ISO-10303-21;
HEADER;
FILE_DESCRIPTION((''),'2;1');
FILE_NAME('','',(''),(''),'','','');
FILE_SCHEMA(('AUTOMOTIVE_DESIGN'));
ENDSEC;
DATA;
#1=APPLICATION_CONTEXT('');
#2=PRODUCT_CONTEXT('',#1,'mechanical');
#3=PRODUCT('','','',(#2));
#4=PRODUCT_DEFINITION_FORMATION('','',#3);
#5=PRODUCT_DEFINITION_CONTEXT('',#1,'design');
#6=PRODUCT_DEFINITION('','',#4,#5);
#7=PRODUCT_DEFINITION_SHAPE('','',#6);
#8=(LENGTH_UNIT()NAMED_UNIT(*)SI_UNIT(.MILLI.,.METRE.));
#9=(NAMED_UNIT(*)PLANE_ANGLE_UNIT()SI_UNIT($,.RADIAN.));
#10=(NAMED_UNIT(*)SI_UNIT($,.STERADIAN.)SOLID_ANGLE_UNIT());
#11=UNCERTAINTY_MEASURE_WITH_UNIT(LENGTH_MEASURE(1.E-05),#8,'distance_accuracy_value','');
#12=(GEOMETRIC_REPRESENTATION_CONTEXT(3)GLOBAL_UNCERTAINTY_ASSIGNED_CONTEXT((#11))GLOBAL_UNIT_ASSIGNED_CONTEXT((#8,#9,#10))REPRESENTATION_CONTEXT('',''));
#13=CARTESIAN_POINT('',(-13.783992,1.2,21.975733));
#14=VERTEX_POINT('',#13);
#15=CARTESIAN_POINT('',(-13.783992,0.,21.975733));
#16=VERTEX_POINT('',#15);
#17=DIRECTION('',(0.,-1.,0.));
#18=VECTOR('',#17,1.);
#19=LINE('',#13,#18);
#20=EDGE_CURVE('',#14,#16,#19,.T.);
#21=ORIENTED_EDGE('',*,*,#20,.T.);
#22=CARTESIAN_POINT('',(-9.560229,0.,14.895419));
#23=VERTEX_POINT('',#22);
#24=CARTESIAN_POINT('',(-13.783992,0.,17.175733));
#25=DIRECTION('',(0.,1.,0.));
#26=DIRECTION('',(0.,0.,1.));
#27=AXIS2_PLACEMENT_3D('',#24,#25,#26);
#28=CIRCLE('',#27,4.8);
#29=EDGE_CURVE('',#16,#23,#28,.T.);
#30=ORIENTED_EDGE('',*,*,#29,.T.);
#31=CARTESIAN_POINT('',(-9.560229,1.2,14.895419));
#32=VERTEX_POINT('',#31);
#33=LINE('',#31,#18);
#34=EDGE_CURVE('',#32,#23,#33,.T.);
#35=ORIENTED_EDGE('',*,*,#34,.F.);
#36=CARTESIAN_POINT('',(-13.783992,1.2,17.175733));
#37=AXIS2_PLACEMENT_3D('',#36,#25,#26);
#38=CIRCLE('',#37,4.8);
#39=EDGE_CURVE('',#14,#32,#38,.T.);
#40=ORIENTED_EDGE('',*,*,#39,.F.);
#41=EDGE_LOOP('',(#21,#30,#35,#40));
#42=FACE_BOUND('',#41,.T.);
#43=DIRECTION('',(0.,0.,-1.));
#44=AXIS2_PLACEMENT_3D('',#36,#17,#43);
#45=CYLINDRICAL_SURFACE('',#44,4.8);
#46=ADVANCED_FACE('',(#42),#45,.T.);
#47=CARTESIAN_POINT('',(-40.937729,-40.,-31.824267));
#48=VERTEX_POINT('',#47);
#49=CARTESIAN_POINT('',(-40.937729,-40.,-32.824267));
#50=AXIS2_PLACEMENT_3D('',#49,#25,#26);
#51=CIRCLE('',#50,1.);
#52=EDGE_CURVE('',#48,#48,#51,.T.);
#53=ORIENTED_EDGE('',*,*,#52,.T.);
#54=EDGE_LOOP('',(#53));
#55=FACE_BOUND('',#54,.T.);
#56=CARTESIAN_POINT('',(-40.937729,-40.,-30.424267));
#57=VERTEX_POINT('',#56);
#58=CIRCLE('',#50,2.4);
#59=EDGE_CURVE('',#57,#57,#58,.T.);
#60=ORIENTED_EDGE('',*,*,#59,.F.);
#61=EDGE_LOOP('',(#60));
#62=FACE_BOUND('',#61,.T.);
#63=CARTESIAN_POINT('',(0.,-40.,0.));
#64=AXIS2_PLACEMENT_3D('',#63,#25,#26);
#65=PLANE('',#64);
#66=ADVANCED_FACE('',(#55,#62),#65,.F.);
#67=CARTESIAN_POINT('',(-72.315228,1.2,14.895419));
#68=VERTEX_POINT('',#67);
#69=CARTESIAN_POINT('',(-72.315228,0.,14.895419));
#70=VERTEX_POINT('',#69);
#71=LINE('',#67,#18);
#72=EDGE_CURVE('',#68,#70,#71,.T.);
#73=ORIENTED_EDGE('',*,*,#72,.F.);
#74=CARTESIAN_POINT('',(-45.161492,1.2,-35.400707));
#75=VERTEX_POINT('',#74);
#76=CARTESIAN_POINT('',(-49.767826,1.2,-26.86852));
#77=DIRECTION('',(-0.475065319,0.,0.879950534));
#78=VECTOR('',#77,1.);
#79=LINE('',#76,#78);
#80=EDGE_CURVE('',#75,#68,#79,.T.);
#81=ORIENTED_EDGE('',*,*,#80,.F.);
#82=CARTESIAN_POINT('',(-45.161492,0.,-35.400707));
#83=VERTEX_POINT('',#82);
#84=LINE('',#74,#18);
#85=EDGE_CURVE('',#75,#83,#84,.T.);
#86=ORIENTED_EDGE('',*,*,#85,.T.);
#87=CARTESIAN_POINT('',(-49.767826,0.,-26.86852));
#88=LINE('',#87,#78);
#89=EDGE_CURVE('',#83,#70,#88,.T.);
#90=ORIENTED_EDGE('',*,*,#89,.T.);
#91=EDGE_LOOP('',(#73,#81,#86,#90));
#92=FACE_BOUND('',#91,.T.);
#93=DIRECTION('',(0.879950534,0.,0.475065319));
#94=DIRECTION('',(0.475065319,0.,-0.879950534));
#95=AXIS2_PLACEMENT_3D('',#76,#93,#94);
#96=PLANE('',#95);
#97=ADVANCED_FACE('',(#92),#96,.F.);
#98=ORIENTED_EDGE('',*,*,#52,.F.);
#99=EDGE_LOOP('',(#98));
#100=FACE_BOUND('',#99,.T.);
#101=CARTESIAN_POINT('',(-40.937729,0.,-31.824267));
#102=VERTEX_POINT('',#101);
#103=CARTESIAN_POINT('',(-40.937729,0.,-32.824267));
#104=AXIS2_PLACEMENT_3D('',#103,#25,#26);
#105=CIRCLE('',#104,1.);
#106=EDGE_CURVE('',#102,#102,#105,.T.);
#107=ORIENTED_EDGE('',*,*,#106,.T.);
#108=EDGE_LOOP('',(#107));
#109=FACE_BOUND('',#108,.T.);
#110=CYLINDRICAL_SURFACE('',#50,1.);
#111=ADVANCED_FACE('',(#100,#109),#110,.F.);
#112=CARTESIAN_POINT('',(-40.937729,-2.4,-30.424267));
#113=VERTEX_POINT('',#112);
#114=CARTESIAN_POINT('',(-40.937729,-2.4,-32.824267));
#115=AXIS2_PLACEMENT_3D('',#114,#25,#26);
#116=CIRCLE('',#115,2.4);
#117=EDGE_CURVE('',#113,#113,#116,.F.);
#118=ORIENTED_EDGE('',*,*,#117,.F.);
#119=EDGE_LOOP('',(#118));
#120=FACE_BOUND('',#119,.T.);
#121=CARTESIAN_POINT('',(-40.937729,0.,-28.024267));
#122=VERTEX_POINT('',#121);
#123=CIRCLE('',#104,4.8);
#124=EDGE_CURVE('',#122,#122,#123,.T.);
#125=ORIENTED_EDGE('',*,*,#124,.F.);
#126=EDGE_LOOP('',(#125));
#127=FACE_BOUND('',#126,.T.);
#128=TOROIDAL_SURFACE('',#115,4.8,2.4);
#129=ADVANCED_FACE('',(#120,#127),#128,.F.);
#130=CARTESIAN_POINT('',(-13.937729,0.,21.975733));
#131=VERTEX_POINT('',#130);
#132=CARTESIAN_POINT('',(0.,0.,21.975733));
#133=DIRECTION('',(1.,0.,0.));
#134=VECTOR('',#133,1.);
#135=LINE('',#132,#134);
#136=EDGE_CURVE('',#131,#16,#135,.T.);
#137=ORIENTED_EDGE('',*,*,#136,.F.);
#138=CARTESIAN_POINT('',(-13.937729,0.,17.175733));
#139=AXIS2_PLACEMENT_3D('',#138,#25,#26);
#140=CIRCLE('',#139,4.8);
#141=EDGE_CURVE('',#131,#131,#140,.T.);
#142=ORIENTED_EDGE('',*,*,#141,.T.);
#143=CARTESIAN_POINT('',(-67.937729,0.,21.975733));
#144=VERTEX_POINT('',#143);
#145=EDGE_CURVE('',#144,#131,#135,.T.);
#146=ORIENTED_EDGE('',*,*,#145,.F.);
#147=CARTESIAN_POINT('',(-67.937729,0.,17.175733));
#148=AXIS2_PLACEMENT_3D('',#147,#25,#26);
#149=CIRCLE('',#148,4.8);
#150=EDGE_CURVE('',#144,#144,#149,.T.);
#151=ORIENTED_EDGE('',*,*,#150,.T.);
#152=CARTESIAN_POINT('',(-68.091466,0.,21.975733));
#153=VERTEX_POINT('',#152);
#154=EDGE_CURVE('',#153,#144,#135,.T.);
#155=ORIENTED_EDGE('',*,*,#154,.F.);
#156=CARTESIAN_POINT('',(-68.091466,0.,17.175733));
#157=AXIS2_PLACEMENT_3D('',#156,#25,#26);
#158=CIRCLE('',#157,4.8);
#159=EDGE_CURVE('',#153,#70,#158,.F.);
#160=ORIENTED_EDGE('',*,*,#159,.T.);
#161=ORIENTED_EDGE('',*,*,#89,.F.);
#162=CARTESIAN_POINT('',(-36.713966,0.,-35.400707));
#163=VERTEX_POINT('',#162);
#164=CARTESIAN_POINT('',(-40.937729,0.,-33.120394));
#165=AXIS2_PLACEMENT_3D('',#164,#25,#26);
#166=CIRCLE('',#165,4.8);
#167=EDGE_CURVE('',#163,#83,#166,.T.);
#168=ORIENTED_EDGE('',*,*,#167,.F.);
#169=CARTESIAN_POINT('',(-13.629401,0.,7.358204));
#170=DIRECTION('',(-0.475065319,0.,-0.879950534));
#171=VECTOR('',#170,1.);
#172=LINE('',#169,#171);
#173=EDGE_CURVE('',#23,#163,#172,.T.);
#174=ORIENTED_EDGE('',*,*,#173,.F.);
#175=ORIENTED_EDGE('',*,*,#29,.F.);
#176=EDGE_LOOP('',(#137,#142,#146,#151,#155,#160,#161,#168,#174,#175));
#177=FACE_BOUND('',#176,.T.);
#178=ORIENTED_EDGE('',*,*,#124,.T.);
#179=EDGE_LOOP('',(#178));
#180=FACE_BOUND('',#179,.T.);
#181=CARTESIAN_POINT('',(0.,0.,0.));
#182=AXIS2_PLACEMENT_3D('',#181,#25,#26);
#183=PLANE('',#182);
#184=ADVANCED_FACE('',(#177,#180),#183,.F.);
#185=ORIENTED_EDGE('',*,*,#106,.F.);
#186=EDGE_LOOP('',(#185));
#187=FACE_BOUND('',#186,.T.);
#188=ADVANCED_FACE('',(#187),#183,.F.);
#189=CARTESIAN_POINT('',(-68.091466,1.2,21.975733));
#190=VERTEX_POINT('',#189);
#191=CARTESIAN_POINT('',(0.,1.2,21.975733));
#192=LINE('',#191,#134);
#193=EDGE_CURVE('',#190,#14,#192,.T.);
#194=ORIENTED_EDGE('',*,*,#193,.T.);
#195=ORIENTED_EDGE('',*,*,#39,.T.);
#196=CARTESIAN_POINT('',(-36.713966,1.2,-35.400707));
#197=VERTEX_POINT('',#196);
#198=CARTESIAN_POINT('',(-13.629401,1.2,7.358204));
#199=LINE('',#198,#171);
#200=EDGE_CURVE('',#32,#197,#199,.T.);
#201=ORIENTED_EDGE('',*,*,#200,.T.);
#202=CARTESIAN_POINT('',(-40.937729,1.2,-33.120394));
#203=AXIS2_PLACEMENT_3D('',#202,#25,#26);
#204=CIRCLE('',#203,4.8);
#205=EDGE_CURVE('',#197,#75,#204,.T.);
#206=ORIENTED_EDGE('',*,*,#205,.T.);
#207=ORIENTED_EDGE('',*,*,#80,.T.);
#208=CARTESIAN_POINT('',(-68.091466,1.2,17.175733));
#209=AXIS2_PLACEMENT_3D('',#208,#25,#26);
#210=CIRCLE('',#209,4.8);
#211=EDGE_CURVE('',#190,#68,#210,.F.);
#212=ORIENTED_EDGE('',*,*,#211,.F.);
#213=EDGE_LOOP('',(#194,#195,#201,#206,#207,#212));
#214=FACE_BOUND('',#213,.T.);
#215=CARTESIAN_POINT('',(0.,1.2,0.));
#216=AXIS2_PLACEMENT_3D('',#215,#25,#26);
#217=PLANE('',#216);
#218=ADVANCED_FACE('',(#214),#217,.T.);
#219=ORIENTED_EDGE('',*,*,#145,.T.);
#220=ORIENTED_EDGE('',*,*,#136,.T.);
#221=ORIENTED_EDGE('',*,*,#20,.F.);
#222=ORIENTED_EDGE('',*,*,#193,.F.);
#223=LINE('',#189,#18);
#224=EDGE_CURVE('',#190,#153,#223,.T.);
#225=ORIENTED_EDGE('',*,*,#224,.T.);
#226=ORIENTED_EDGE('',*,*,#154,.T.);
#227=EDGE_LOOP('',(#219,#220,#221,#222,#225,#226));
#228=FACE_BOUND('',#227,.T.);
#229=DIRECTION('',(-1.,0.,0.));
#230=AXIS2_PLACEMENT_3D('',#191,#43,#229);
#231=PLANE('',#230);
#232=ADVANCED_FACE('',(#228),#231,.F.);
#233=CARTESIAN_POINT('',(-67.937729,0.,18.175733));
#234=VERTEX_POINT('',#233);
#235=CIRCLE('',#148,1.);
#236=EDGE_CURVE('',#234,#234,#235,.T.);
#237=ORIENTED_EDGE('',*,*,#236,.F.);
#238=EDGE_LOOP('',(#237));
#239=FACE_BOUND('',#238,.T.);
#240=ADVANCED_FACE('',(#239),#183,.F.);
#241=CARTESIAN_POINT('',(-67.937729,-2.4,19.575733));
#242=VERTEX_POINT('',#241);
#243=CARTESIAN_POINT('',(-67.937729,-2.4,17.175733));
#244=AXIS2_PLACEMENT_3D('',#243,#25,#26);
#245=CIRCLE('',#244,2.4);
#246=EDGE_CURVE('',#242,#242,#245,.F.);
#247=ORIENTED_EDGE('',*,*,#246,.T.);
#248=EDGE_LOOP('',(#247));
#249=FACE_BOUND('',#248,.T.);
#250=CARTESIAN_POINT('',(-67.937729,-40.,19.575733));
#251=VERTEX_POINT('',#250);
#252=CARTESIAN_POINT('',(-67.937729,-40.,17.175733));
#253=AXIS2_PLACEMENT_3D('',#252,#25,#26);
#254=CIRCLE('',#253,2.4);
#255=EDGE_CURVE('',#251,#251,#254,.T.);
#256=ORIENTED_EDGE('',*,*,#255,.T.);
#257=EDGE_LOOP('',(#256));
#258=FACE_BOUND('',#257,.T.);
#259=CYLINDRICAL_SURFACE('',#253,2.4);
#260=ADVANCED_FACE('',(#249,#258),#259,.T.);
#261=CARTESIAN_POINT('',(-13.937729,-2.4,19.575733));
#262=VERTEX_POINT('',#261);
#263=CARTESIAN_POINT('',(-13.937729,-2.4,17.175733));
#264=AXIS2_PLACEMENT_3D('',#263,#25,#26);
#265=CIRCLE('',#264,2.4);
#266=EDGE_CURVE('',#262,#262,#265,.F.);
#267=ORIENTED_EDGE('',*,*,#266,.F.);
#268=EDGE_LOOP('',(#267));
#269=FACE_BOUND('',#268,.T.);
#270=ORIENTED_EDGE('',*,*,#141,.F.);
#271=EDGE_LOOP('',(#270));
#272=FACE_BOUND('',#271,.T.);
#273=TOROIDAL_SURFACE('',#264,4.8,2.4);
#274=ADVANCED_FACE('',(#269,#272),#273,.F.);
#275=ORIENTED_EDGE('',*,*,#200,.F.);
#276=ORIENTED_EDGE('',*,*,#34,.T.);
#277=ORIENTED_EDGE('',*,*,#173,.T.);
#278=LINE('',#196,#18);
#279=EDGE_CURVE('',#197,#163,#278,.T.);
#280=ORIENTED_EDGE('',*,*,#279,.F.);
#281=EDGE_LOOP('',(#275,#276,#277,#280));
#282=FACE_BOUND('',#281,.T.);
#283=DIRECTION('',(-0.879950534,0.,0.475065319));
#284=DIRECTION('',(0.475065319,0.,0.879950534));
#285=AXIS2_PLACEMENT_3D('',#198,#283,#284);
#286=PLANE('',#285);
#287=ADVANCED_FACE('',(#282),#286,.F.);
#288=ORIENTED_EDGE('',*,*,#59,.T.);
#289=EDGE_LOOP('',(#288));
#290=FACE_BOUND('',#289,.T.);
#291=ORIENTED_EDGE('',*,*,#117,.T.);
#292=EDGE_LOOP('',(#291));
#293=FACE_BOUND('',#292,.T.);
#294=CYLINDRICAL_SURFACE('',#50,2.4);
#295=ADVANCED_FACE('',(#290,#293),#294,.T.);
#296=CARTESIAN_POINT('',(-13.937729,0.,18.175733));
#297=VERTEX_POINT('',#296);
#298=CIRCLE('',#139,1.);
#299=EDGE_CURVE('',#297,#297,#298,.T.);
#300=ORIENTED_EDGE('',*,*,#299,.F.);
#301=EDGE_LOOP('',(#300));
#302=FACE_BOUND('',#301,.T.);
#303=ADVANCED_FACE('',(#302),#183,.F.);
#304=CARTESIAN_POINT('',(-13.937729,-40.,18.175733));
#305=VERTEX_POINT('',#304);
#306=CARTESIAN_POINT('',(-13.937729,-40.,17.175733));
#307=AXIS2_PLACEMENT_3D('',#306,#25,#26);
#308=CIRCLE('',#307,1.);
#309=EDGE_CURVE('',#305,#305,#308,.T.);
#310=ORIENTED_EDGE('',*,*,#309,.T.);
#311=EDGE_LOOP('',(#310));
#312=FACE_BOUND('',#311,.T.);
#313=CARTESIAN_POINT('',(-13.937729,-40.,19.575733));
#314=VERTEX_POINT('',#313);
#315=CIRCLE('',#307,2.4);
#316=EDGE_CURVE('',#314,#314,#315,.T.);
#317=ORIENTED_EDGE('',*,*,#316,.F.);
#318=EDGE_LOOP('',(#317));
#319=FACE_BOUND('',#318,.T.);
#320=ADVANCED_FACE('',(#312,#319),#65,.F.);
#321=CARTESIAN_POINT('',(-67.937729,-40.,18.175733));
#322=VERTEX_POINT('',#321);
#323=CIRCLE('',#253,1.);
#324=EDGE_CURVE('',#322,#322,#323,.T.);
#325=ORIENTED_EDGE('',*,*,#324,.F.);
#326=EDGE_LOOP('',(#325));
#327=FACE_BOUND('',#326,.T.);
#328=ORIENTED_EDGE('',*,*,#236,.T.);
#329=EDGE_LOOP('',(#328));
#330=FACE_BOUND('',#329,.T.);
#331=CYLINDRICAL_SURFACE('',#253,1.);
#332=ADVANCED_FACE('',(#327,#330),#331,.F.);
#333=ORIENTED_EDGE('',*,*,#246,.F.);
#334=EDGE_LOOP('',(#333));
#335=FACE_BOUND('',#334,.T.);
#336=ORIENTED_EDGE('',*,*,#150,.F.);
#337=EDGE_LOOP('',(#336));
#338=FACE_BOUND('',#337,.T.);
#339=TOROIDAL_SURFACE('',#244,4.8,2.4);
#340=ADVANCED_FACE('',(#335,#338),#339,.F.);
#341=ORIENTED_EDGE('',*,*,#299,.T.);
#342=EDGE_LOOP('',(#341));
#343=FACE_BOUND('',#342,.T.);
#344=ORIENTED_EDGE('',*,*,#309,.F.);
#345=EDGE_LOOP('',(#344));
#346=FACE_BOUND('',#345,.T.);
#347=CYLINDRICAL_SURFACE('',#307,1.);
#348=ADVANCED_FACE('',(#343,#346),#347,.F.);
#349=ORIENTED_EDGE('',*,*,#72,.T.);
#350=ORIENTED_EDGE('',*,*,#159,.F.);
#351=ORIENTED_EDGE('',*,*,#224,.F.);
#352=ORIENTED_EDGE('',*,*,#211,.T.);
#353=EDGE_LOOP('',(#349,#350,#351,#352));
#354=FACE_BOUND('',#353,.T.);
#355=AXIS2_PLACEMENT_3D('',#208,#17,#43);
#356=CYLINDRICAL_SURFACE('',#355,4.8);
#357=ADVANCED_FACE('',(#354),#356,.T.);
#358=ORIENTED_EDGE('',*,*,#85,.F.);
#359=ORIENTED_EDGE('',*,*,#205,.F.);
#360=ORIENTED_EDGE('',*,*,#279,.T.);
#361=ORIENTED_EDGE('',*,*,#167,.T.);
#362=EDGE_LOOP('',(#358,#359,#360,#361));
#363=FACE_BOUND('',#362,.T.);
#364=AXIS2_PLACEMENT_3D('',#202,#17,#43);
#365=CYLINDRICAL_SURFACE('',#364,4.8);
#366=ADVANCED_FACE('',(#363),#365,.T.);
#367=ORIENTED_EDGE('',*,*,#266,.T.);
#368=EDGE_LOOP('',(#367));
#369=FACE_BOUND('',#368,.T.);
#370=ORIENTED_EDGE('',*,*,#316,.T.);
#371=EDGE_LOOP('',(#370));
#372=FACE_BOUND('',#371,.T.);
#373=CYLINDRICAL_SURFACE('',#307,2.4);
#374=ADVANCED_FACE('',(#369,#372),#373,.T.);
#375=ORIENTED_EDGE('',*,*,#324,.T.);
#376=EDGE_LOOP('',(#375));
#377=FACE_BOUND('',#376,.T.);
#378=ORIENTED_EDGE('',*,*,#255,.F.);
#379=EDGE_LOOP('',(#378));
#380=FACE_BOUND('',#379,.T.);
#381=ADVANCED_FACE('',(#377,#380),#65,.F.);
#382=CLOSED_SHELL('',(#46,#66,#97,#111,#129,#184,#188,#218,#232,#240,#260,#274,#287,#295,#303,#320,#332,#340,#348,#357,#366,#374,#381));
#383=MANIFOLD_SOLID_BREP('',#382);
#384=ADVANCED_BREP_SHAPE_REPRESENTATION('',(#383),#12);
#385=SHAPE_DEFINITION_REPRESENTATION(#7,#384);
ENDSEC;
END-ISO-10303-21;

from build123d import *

# Parameters (mm, degrees)
BOSS_EXTRUDE1_DEPTH = 1.2000000000000002
SKETCH1_3_R         = 2.399999999999999
SKETCH1_3_R_2       = 1.0000000000000018
SKETCH1_3_R_3       = 2.400000000000001
SKETCH1_3_R_4       = 0.9999999999999983
BOSS_EXTRUDE2_DEPTH = 39.99999999999998
FILLET1_R           = 2.4


with BuildPart() as part:
    # Sketch1 → Boss-Extrude1 (new body)
    with BuildSketch(Plane(origin=(0, 0, 0), x_dir=(1, 0, 0), z_dir=(0, 1, 0))):
        with BuildLine():
            ThreePointArc((-36.71396637362992, 35.40070719531131), (-40.93772893772893, 37.9203936637732), (-45.16149150182793, 35.40070719531131))
            Line((-45.16149150182793, 35.40070719531131), (-72.31522838082492, -14.895419069194496))
            ThreePointArc((-72.31522838082492, -14.895419069194494), (-72.21369245723122, -19.634847792078578), (-68.09146581672593, -21.975732600732602))
            Line((-68.09146581672593, -21.9757326007326), (-13.783992058731933, -21.9757326007326))
            ThreePointArc((-13.783992058731934, -21.975732600732595), (-9.66176541822665, -19.634847792078567), (-9.560229494632928, -14.895419069194485))
            Line((-9.56022949463293, -14.895419069194485), (-36.71396637362993, 35.40070719531131))
        make_face()
    extrude(amount=BOSS_EXTRUDE1_DEPTH)

    # Sketch1<3> → Boss-Extrude2 (add)
    # profile 1 of 3: a face of its own
    with BuildSketch(Plane(origin=(0, 0, 0), x_dir=(1, 0, 0), z_dir=(0, 1, 0))):
        with Locations((-13.937728937728926, -17.175732600732594)):
            Circle(SKETCH1_3_R)
        with Locations((-13.937728937728918, -17.175732600732594)):
            Circle(SKETCH1_3_R_2, mode=Mode.SUBTRACT)
    # profile 2 of 3: a face of its own
    with BuildSketch(Plane(origin=(0, 0, 0), x_dir=(1, 0, 0), z_dir=(0, 1, 0))):
        with Locations((-67.93772893772892, -17.175732600732594)):
            Circle(SKETCH1_3_R_3)
        with Locations((-67.93772893772892, -17.175732600732594)):
            Circle(SKETCH1_3_R_4, mode=Mode.SUBTRACT)
    # profile 3 of 3: a face of its own
    with BuildSketch(Plane(origin=(0, 0, 0), x_dir=(1, 0, 0), z_dir=(0, 1, 0))):
        with Locations((-40.93772893772893, 32.82426739926741)):
            Circle(SKETCH1_3_R_3)
        with Locations((-40.93772893772893, 32.82426739926741)):
            Circle(SKETCH1_3_R_4, mode=Mode.SUBTRACT)
    extrude(amount=-BOSS_EXTRUDE2_DEPTH)

    # Fillet1
    fillet1_edges = [part.edges().sort_by_distance(p)[0] for p in [
        (-70.33772893772893, 0, 17.175732600732594),
        (-16.337728937728926, 0, 17.175732600732594),
        (-43.337728937728926, 0, -32.82426739926741),
    ]]
    fillet(fillet1_edges, radius=FILLET1_R)


solid = part.part
